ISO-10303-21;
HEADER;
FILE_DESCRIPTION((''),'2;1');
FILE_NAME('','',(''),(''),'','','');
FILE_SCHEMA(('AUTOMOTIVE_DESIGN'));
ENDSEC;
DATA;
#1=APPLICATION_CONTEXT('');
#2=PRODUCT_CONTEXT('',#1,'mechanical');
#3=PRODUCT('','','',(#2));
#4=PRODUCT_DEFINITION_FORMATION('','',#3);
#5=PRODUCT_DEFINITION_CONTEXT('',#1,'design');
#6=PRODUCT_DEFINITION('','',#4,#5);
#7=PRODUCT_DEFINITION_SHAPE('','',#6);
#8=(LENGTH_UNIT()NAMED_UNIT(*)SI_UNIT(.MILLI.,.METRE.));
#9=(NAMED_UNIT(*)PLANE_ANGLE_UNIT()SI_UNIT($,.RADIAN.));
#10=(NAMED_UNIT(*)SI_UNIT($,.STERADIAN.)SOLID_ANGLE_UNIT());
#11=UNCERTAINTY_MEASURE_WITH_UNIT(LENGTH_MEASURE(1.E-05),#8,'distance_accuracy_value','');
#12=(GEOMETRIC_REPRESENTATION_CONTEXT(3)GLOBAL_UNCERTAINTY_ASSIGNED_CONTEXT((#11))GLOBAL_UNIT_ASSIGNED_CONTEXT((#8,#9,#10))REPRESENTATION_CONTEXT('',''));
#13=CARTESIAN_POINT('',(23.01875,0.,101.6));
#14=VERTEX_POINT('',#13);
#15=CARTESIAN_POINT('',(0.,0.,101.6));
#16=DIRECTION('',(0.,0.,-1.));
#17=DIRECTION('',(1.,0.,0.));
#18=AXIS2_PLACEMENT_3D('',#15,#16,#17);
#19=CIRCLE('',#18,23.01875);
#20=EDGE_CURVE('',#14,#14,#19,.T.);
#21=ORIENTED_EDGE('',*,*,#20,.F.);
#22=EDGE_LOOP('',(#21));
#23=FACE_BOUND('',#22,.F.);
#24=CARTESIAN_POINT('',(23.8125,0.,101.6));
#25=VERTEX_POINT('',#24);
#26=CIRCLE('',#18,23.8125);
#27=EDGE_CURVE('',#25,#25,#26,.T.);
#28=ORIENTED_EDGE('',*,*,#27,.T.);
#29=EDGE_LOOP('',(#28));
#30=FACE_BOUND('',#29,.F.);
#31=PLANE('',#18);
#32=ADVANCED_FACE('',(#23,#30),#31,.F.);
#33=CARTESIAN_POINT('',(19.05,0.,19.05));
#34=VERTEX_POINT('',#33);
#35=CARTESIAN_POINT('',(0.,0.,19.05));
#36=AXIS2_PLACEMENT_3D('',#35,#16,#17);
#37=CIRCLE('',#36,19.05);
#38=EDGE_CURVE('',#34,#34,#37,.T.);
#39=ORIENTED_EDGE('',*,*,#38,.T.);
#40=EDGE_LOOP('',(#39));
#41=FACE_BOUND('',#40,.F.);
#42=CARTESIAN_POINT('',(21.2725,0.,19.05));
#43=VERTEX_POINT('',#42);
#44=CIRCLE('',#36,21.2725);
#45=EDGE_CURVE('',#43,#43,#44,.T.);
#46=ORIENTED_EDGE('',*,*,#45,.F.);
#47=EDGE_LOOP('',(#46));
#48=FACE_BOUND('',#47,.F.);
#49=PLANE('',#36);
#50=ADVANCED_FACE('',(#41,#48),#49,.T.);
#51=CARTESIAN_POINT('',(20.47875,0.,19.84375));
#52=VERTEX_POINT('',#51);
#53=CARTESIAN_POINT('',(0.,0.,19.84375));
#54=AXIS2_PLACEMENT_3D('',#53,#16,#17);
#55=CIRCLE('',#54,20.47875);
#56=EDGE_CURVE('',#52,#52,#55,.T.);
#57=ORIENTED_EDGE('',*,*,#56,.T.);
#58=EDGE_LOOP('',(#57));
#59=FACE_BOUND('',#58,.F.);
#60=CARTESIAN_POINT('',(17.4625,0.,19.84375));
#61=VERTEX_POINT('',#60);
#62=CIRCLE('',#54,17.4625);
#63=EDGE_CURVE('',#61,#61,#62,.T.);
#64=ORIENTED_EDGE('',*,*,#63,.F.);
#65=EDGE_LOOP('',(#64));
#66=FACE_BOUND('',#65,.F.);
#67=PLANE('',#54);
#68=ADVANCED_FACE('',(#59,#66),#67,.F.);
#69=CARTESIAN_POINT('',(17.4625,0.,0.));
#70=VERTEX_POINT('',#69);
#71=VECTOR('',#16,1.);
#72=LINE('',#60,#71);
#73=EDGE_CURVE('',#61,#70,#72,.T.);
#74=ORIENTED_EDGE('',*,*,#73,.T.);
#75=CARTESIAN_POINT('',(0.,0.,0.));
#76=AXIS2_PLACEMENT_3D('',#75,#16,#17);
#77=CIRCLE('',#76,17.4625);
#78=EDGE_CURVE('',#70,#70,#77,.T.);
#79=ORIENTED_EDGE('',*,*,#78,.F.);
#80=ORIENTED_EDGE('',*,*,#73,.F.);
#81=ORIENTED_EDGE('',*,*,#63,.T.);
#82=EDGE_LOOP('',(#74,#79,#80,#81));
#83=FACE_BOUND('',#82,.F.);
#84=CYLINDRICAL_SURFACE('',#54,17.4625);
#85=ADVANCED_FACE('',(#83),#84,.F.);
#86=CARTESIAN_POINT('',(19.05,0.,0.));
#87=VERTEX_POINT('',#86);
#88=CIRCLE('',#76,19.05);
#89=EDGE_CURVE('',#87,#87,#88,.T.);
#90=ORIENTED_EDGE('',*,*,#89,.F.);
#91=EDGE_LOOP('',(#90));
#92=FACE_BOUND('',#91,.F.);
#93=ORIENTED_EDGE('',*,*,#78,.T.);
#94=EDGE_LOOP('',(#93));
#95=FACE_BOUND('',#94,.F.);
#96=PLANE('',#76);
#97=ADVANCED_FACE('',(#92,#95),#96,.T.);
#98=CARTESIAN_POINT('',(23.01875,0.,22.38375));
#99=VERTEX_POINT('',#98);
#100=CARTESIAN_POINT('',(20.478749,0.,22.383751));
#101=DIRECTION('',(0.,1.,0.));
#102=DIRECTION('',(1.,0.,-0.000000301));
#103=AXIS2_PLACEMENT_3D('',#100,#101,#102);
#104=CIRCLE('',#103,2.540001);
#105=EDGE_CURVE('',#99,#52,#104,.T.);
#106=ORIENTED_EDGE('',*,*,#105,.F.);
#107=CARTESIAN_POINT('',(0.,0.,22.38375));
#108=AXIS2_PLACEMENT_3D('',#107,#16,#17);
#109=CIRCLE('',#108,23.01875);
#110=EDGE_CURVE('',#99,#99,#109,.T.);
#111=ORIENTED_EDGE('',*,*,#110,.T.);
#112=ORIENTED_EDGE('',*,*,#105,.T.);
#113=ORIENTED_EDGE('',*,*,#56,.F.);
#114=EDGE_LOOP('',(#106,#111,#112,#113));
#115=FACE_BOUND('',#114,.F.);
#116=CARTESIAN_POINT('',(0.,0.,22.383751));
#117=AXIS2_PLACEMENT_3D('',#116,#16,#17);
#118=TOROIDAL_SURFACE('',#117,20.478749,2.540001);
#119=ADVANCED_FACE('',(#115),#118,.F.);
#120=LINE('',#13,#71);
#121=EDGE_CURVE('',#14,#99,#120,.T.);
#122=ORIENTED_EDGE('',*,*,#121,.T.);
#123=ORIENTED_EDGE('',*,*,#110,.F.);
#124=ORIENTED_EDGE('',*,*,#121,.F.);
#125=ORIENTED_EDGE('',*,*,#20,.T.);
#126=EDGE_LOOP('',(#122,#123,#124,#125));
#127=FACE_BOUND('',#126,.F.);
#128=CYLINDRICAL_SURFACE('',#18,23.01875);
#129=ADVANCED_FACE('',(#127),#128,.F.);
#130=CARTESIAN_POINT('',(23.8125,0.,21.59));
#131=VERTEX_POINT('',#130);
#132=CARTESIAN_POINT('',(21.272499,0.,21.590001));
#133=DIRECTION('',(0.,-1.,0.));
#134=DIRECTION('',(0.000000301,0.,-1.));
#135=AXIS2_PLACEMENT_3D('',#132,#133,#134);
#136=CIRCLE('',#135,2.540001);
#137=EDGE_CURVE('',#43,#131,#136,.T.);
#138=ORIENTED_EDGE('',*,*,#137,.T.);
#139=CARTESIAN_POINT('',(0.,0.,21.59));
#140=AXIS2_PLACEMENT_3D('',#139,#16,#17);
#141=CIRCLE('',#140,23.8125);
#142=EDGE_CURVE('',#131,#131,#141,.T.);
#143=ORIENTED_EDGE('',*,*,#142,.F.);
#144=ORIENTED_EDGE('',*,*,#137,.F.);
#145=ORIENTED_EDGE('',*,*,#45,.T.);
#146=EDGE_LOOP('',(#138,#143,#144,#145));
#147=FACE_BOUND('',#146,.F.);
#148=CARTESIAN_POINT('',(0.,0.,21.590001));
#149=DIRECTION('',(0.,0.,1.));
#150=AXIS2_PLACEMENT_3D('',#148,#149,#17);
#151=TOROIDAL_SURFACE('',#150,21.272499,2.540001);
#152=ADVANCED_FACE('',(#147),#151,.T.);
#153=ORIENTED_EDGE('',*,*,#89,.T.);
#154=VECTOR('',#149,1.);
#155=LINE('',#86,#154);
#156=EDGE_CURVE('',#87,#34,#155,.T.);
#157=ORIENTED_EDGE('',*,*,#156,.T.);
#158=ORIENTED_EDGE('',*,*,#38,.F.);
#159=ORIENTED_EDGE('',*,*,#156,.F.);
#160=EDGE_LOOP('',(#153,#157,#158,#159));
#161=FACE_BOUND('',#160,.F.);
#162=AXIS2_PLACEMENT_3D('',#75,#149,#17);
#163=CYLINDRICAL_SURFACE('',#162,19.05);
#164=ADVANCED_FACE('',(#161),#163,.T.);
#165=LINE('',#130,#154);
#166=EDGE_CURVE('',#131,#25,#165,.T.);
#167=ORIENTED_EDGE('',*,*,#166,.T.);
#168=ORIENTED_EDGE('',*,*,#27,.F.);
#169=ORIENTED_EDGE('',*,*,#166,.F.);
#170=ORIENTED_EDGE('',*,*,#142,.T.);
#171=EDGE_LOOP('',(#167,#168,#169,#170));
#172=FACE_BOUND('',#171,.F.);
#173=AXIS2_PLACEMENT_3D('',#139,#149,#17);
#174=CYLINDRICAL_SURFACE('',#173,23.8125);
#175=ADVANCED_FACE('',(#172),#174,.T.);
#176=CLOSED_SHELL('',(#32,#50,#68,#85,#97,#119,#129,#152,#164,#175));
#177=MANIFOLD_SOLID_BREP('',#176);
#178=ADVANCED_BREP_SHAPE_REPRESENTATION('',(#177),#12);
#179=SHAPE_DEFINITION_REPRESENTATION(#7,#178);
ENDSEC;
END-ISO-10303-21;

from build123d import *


with BuildPart() as f1:
    # F0 (on Front) → F1 (revolve)
    with BuildSketch(Plane.XZ):
        with BuildLine():
            Line((17.4625, 0), (19.05, 0))
            Line((19.05, 0), (19.05, 19.05))
            Line((19.05, 19.05), (21.2725, 19.05))
            ThreePointArc((21.2725, 19.05), (23.068551, 19.793949), (23.8125, 21.59))
            Line((23.8125, 21.59), (23.8125, 101.6))
            Line((23.8125, 101.6), (23.01875, 101.6))
            Line((23.01875, 101.6), (23.01875, 22.38375))
            ThreePointArc((23.01875, 22.38375), (22.274801, 20.587699), (20.47875, 19.84375))
            Line((20.47875, 19.84375), (17.4625, 19.84375))
            Line((17.4625, 19.84375), (17.4625, 0))
        make_face()
    revolve(axis=Axis((0, 0, 3.679249), (0, 0, -1)))


solid = f1.part
